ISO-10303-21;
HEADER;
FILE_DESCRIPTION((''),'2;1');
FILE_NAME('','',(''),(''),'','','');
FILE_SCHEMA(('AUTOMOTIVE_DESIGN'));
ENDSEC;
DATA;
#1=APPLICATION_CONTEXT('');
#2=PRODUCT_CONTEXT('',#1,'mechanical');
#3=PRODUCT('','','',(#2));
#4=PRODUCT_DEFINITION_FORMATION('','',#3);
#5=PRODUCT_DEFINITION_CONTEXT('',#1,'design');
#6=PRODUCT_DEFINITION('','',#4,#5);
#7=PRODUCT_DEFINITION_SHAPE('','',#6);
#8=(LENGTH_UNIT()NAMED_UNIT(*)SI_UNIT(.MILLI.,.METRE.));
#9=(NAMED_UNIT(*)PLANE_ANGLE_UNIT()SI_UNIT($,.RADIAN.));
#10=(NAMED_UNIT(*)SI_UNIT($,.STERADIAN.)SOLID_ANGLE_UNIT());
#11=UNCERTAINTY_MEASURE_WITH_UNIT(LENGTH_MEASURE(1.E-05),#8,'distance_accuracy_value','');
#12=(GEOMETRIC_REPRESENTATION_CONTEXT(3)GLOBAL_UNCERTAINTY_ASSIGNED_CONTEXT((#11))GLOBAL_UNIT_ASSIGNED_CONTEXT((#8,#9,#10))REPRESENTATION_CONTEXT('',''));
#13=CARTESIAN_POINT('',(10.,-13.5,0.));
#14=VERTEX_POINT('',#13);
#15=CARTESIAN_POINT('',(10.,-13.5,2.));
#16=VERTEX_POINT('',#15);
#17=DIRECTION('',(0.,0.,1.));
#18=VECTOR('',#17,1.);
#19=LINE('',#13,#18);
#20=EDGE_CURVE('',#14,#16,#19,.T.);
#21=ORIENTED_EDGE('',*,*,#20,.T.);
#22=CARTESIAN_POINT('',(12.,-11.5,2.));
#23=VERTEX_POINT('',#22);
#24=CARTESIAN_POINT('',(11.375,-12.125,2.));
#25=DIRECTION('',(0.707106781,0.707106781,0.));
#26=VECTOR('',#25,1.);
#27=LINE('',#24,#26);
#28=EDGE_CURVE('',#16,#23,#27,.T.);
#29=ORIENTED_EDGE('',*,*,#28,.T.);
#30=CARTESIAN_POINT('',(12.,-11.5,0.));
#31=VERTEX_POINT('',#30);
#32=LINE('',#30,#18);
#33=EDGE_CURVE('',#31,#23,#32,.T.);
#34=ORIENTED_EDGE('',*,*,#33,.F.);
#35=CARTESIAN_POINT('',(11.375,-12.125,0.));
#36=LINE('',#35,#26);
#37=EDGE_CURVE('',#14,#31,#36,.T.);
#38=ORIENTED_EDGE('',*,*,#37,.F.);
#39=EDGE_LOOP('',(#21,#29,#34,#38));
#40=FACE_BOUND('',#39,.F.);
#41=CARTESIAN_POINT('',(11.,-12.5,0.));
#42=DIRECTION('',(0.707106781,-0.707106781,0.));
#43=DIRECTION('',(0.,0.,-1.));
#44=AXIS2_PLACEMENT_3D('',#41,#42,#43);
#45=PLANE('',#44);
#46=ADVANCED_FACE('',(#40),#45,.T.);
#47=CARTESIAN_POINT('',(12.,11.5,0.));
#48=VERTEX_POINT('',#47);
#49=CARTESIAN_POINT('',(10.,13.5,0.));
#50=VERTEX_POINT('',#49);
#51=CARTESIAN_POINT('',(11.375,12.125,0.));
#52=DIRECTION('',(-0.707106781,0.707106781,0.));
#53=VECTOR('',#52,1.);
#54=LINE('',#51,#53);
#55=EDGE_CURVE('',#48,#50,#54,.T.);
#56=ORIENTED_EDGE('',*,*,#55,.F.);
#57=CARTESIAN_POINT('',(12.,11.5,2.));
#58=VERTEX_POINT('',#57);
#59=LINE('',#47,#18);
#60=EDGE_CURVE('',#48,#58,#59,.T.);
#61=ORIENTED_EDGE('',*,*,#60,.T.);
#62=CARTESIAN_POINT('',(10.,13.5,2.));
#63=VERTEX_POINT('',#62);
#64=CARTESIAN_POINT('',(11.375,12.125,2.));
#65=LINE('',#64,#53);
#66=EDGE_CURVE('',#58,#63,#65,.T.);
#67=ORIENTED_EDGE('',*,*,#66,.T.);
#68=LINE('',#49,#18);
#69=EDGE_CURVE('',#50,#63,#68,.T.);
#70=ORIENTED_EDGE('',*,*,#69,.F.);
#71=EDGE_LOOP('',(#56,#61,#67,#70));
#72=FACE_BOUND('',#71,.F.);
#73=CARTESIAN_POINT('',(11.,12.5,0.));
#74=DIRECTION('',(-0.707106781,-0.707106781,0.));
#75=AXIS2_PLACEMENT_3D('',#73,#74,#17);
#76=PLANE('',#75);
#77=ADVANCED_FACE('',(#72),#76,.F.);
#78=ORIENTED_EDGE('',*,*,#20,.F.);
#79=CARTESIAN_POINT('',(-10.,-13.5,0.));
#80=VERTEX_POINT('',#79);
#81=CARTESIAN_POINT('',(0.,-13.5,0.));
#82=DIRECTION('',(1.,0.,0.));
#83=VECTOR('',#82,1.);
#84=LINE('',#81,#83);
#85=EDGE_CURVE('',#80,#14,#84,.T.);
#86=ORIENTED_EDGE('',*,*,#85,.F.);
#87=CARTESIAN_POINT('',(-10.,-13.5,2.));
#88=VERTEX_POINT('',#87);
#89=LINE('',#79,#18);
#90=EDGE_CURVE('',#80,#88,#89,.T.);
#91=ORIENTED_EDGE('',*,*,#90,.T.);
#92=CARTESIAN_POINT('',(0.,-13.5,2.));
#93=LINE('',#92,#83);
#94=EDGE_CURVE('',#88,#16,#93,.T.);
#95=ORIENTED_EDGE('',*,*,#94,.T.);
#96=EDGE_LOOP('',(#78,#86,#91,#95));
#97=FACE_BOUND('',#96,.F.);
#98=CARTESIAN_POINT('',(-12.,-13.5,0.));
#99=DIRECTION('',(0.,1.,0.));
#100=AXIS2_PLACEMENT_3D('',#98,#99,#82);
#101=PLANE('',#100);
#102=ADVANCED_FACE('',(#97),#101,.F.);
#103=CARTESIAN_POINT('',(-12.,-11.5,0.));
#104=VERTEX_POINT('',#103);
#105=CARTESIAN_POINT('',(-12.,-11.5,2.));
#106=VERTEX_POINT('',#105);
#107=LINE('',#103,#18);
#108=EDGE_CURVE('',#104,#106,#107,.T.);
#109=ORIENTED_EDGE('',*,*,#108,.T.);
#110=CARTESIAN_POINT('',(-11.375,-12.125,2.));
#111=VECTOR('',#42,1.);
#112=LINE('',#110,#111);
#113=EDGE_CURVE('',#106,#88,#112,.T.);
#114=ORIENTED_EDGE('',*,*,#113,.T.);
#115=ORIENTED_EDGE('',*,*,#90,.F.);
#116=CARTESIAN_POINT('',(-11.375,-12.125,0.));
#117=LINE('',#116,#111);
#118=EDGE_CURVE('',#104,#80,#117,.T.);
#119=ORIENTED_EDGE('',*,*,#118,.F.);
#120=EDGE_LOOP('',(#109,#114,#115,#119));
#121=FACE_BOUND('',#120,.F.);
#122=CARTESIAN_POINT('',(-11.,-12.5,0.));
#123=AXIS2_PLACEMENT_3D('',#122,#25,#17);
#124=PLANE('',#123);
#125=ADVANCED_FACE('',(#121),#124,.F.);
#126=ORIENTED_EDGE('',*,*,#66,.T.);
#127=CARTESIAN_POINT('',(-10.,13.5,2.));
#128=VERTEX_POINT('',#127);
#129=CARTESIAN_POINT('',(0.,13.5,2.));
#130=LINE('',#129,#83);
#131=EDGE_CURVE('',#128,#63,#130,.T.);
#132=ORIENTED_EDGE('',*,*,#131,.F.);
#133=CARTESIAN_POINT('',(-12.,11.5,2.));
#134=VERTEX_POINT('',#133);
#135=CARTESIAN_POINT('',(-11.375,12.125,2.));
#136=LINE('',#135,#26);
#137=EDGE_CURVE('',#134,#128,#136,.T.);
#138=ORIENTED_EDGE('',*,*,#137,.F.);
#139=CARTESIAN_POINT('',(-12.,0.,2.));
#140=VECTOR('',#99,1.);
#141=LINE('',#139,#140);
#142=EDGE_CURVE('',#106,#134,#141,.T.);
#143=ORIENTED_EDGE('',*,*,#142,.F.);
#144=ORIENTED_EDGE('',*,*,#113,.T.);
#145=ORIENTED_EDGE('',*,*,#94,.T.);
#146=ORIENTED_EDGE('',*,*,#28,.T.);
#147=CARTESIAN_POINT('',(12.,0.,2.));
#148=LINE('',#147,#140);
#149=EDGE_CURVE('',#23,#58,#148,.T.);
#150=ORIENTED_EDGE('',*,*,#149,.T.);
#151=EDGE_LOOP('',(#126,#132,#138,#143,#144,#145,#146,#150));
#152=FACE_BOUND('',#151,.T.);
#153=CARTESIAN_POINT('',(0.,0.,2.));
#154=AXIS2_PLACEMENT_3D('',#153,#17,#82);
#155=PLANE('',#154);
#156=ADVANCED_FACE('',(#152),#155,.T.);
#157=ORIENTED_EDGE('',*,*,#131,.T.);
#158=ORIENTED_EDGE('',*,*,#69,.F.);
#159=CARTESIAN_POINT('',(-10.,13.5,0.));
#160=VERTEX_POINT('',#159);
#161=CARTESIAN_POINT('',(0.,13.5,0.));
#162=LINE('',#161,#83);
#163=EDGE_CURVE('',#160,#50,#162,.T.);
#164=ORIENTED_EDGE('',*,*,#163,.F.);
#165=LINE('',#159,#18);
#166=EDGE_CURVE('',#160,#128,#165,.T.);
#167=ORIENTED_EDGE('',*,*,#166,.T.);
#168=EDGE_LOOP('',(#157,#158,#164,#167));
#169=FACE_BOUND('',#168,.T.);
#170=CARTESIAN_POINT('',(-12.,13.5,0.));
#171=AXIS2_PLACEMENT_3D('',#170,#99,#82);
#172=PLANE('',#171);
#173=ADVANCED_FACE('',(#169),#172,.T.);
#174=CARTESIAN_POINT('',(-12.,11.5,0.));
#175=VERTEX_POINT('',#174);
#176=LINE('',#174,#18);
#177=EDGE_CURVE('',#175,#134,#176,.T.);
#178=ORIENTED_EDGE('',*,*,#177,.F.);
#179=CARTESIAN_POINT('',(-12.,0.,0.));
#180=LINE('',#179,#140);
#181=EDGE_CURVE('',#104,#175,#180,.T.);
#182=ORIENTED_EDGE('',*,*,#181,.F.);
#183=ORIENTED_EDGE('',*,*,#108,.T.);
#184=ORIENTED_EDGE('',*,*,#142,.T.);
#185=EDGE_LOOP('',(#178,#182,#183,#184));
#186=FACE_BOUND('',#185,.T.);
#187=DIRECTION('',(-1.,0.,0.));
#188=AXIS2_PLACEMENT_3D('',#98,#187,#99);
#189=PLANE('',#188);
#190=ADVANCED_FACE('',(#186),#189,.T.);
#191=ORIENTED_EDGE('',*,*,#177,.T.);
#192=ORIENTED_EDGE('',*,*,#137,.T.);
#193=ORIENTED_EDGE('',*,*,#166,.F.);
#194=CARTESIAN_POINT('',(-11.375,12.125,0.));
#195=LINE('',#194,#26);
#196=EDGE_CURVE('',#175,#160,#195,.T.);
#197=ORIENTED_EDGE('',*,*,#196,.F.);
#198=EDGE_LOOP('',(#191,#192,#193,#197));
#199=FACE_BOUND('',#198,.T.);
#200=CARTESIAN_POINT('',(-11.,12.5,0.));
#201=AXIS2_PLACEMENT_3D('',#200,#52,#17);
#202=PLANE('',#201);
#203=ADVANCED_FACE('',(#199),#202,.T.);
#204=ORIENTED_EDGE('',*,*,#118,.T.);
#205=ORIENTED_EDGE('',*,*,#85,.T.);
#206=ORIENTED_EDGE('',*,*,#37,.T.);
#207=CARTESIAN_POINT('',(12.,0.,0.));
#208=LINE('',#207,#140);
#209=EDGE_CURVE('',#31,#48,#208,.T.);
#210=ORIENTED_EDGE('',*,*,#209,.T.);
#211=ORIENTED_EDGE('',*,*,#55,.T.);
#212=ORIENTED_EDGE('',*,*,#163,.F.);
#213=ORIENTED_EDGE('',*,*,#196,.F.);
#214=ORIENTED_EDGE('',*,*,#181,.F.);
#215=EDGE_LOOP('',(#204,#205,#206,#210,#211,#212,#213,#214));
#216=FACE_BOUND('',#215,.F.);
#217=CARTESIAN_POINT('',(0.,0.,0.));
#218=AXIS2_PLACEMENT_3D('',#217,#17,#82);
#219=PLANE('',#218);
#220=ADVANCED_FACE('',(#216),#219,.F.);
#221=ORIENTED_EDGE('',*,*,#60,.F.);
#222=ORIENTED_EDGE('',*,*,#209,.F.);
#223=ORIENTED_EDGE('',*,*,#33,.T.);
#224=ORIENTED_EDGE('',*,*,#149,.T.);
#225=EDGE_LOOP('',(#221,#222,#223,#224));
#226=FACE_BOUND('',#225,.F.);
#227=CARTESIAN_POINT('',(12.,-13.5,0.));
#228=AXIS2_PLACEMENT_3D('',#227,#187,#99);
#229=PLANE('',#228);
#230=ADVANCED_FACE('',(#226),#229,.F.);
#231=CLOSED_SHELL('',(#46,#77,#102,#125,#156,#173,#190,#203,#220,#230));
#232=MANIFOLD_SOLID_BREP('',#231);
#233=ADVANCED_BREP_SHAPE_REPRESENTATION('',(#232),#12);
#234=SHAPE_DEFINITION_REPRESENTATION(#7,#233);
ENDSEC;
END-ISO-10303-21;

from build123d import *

# Parameters (mm, degrees)
F0_W     = 24
F0_H     = 27
F1_DEPTH = 2
F2_SIZE  = 2


with BuildPart() as f1:
    # F0 (on Top) → F1 (new body)
    with BuildSketch(Plane.XY):
        Rectangle(F0_W, F0_H)
    extrude(amount=F1_DEPTH)

    # F2
    f2_edges = [f1.edges().sort_by_distance(p)[0] for p in [
        (-12, 13.5, 1),
        (-12, -13.5, 1),
        (12, -13.5, 1),
        (12, 13.5, 1),
    ]]
    chamfer(f2_edges, length=F2_SIZE)


solid = f1.part
